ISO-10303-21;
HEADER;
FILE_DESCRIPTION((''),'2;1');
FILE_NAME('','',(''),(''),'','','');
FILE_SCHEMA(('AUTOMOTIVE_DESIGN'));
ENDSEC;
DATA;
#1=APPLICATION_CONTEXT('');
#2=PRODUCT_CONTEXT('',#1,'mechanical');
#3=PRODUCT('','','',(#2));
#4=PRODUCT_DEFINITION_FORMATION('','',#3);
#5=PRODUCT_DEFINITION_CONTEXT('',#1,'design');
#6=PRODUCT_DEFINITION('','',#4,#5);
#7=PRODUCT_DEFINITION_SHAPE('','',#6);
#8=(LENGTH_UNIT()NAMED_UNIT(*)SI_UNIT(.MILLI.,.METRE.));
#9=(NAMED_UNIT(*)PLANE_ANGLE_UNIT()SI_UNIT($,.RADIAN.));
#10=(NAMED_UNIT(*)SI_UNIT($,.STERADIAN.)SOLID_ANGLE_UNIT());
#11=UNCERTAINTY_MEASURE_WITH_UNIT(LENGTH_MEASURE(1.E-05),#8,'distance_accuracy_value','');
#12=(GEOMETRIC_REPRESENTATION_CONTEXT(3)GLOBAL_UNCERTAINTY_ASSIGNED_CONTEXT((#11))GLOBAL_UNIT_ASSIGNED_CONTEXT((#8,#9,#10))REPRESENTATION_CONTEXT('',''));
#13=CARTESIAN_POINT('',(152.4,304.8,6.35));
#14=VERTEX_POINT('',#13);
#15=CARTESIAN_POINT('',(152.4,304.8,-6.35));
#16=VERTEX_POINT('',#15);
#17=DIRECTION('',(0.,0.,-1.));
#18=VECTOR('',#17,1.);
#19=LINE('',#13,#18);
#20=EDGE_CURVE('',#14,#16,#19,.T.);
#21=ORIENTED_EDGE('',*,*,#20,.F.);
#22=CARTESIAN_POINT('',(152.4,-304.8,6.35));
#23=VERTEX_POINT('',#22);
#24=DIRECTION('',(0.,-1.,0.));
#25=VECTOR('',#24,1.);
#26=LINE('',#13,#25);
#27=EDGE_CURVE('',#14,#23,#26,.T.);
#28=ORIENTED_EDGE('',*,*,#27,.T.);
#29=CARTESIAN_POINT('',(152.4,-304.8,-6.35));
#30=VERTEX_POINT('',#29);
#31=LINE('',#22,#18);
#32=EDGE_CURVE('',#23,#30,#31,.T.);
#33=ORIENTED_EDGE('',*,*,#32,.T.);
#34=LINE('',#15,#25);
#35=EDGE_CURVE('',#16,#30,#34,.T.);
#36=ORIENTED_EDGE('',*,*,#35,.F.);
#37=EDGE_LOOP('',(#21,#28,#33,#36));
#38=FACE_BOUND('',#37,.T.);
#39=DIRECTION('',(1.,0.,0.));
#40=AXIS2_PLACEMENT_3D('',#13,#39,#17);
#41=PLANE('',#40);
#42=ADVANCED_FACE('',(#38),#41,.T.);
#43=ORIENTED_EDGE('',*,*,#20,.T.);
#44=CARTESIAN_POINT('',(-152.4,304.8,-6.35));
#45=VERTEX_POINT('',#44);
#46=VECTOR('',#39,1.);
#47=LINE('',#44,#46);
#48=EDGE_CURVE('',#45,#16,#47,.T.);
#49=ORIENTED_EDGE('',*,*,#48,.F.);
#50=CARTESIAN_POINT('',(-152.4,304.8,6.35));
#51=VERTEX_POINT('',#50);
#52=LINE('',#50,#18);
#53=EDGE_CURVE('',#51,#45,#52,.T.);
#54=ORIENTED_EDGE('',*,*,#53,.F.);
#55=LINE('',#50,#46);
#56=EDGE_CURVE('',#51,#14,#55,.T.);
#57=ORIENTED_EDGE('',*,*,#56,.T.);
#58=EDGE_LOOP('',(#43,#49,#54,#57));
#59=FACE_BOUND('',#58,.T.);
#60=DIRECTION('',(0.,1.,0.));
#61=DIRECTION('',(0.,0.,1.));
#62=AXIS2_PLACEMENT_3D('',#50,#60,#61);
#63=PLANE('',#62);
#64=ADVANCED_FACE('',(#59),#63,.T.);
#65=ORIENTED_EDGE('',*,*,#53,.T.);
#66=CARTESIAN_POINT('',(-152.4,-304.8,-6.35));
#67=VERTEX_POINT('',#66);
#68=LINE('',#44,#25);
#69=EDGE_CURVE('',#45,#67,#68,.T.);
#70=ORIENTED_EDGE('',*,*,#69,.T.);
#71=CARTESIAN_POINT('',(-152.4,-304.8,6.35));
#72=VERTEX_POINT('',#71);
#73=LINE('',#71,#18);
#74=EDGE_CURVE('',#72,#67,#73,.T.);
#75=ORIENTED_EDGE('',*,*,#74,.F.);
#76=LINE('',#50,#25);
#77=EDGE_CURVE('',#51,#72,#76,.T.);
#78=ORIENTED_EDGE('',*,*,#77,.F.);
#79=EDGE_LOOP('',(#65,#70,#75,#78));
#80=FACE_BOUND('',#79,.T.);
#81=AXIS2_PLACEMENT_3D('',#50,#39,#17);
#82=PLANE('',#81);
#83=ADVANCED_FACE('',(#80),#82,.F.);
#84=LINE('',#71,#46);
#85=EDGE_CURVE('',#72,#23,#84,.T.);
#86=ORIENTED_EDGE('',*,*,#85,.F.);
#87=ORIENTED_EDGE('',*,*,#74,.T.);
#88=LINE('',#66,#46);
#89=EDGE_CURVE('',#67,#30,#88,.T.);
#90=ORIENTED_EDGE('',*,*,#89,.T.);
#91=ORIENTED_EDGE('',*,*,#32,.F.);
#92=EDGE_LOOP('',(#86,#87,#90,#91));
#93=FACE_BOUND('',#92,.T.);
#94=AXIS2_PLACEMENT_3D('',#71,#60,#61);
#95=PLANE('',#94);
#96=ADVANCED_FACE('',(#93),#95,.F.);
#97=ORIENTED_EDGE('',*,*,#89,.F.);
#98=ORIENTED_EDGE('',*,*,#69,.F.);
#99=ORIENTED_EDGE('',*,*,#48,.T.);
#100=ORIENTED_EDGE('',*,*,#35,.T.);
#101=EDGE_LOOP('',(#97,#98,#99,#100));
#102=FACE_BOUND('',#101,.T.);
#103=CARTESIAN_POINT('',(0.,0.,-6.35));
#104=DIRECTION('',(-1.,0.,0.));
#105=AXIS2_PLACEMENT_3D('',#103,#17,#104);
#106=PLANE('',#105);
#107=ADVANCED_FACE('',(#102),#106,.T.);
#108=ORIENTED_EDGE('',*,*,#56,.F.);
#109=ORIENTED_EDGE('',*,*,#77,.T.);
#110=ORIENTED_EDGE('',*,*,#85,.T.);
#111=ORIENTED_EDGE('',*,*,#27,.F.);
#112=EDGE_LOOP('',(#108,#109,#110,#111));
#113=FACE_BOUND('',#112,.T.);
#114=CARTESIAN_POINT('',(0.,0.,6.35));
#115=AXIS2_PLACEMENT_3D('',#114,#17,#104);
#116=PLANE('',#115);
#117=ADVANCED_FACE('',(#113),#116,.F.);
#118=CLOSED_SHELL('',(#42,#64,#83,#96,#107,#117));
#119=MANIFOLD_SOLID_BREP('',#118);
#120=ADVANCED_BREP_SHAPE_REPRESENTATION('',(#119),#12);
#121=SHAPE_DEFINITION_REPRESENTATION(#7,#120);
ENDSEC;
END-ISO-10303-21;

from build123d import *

# Parameters (mm, degrees)
SKETCH2_W           = 304.8
SKETCH2_H           = 609.6
BOSS_EXTRUDE1_DEPTH = 6.35


with BuildPart() as part:
    # Sketch2 → Boss-Extrude1 (new, symmetric)
    with BuildSketch(Plane.XY):
        Rectangle(SKETCH2_W, SKETCH2_H)
    extrude(amount=BOSS_EXTRUDE1_DEPTH, both=True)


solid = part.part
